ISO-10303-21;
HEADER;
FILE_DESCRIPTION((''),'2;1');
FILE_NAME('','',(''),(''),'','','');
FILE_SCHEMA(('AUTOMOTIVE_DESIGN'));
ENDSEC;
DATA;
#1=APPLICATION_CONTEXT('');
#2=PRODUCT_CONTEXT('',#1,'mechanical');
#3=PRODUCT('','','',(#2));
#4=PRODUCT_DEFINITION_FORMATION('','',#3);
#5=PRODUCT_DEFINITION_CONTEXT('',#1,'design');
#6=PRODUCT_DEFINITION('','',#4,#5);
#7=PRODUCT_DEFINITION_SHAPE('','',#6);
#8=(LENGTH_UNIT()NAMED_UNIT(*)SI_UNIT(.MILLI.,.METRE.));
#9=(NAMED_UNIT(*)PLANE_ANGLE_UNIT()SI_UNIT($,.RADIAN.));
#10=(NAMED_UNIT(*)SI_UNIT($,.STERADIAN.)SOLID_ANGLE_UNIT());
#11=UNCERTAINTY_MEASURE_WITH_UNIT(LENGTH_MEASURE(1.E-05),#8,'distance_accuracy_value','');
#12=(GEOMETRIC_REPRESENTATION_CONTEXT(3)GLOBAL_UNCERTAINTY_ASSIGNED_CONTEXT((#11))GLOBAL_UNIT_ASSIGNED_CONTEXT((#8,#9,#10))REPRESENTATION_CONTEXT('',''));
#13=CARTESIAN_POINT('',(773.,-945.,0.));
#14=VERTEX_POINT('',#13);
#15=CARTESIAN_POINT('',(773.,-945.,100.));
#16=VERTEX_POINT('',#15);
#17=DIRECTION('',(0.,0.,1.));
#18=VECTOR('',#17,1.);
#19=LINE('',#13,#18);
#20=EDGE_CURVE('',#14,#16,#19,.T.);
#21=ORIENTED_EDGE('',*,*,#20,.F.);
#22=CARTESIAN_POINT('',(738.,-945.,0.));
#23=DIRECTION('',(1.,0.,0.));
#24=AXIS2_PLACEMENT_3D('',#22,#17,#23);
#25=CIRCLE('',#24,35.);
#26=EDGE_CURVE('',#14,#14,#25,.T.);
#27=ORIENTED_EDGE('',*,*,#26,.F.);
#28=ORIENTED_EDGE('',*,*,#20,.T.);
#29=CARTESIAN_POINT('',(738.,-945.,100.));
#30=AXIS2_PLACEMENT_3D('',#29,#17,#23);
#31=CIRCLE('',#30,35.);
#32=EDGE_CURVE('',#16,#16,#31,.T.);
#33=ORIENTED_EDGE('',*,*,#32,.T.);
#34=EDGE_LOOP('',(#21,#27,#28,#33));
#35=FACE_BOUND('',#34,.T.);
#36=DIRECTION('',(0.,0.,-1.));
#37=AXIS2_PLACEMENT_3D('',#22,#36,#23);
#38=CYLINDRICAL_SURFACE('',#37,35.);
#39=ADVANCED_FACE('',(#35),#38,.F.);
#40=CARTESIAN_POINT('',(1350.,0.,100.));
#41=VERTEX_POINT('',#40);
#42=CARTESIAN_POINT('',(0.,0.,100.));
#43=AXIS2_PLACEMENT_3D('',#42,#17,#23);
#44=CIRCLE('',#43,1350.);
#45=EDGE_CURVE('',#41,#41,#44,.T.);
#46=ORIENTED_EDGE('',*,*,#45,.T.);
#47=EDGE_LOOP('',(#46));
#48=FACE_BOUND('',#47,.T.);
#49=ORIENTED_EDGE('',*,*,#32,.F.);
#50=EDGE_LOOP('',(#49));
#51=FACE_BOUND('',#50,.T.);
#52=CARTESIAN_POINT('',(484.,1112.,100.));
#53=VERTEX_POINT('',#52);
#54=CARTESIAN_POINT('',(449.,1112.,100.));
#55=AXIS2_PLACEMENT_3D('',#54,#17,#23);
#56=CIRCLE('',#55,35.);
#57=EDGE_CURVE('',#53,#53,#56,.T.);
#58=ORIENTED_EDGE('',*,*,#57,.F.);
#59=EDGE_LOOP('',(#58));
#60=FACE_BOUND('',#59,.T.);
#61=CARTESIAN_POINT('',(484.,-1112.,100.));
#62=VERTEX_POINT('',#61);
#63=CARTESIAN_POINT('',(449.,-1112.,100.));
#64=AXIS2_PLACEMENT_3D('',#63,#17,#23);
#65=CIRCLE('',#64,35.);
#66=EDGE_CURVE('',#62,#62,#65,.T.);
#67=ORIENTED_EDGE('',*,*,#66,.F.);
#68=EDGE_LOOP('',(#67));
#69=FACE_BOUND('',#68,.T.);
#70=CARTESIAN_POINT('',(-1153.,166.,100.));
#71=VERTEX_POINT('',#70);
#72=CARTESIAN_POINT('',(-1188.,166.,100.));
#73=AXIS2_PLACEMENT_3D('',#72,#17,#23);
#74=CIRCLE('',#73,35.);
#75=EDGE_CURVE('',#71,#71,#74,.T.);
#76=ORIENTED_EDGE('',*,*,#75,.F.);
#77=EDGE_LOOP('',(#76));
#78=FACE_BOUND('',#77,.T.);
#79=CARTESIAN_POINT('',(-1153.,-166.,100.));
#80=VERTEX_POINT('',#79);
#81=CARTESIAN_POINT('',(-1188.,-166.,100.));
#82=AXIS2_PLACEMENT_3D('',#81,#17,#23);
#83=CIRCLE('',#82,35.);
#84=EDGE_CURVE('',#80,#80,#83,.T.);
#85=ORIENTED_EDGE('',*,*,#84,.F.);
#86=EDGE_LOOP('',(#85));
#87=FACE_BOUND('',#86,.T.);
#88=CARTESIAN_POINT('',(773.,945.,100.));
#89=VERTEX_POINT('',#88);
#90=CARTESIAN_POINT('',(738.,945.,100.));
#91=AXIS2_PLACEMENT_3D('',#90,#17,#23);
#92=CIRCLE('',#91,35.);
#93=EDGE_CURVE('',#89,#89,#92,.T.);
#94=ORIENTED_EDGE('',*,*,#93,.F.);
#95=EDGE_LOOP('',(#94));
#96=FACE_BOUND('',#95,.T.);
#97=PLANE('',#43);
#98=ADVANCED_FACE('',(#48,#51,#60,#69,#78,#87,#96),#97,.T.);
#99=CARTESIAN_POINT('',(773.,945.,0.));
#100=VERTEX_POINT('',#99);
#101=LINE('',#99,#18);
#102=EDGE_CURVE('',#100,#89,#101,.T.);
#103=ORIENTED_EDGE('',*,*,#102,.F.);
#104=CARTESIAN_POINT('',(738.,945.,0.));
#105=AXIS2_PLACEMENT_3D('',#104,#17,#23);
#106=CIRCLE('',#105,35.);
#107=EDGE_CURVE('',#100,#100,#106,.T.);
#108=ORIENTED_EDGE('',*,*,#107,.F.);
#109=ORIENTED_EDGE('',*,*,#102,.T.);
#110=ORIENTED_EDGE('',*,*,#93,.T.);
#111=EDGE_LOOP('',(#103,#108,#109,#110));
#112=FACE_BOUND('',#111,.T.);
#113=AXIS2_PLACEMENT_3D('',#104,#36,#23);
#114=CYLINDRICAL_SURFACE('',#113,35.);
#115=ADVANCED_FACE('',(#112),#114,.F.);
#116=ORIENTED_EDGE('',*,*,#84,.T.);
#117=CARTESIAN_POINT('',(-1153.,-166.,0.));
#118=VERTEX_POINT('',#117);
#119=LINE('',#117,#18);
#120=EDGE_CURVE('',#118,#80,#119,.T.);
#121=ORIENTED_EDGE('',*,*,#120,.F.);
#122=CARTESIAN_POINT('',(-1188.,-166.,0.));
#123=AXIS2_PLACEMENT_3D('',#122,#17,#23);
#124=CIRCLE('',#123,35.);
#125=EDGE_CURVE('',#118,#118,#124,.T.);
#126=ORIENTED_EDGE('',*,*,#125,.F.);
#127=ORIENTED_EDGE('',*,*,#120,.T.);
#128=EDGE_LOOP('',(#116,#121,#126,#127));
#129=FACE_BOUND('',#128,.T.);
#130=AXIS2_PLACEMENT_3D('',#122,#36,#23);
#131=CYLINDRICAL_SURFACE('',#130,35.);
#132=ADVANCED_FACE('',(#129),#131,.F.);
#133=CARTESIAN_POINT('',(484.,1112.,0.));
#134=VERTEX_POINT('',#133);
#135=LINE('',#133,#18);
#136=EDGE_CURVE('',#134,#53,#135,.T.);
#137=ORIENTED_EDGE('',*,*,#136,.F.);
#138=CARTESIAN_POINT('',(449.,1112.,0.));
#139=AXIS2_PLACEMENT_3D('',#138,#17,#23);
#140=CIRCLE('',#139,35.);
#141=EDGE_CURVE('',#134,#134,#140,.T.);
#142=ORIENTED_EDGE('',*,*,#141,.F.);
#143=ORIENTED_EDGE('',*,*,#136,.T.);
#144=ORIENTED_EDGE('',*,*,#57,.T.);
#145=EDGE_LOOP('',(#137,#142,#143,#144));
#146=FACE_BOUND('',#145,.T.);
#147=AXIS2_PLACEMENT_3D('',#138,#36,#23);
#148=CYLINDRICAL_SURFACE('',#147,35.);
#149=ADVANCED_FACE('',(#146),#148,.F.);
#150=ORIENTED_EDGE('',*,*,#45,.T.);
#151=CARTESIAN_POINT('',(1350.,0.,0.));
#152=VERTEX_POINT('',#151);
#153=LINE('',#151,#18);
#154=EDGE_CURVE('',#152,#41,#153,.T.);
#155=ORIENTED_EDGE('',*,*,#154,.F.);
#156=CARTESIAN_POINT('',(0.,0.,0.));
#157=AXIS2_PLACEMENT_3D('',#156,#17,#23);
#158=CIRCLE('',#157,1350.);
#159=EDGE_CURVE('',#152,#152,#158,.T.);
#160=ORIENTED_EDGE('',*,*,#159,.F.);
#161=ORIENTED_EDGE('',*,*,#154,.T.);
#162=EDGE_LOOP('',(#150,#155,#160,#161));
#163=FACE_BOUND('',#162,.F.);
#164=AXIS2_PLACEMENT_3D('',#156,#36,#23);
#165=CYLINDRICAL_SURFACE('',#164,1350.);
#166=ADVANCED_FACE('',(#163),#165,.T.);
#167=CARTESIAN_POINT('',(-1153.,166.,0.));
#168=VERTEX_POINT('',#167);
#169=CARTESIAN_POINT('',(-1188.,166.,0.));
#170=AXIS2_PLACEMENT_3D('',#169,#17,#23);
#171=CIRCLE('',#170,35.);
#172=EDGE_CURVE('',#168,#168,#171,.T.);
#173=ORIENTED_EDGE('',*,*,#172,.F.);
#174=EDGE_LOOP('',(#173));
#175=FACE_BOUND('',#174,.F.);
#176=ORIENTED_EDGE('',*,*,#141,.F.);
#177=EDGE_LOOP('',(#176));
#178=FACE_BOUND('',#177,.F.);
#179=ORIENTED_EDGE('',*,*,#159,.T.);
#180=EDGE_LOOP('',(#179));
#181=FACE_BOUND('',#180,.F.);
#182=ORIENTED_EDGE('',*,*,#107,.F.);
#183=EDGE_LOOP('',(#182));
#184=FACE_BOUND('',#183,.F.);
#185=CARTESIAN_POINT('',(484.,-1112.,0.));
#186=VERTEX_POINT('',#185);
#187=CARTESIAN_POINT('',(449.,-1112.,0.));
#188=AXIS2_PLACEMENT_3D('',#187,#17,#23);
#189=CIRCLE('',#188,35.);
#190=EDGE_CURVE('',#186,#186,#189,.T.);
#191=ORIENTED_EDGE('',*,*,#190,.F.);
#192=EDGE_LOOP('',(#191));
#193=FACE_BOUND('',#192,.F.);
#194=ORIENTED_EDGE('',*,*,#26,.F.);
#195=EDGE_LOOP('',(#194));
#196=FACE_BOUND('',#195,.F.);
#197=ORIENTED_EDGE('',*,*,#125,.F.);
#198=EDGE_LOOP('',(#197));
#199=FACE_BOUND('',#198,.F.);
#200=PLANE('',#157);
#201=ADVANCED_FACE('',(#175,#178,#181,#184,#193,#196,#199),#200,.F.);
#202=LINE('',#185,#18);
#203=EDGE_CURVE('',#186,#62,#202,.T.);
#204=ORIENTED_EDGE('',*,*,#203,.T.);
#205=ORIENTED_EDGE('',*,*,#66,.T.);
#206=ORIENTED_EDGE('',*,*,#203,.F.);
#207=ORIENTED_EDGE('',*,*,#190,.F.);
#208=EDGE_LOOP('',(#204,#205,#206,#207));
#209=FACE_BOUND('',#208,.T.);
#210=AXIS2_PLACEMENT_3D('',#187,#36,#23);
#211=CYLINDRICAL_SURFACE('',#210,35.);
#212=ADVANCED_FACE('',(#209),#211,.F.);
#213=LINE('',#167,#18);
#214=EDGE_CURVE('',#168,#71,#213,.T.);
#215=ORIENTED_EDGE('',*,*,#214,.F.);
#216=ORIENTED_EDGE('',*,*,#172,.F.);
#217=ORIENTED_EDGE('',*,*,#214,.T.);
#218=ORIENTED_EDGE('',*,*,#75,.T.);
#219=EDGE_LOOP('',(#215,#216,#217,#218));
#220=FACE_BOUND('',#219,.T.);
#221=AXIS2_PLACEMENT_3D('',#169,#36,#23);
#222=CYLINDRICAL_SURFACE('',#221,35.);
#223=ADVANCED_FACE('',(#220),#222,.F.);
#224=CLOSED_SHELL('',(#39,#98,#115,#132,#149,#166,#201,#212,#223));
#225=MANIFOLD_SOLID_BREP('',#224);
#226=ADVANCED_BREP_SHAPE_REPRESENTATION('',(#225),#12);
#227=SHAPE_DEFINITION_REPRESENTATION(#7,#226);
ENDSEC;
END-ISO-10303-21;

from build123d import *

# Parameters (mm, degrees)
F0_R     = 1350
F0_R_2   = 35
F1_DEPTH = 100


with BuildPart() as f1:
    # F0 (on Top) → F1 (new body)
    with BuildSketch(Plane.XY):
        Circle(F0_R)
        with Locations((-1188, -166)):
            Circle(F0_R_2, mode=Mode.SUBTRACT)
        with Locations((449, -1112)):
            Circle(F0_R_2, mode=Mode.SUBTRACT)
        with Locations((738, -945)):
            Circle(F0_R_2, mode=Mode.SUBTRACT)
        with Locations((-1188, 166)):
            Circle(F0_R_2, mode=Mode.SUBTRACT)
        with Locations((449, 1112)):
            Circle(F0_R_2, mode=Mode.SUBTRACT)
        with Locations((738, 945)):
            Circle(F0_R_2, mode=Mode.SUBTRACT)
    extrude(amount=F1_DEPTH)


solid = f1.part
